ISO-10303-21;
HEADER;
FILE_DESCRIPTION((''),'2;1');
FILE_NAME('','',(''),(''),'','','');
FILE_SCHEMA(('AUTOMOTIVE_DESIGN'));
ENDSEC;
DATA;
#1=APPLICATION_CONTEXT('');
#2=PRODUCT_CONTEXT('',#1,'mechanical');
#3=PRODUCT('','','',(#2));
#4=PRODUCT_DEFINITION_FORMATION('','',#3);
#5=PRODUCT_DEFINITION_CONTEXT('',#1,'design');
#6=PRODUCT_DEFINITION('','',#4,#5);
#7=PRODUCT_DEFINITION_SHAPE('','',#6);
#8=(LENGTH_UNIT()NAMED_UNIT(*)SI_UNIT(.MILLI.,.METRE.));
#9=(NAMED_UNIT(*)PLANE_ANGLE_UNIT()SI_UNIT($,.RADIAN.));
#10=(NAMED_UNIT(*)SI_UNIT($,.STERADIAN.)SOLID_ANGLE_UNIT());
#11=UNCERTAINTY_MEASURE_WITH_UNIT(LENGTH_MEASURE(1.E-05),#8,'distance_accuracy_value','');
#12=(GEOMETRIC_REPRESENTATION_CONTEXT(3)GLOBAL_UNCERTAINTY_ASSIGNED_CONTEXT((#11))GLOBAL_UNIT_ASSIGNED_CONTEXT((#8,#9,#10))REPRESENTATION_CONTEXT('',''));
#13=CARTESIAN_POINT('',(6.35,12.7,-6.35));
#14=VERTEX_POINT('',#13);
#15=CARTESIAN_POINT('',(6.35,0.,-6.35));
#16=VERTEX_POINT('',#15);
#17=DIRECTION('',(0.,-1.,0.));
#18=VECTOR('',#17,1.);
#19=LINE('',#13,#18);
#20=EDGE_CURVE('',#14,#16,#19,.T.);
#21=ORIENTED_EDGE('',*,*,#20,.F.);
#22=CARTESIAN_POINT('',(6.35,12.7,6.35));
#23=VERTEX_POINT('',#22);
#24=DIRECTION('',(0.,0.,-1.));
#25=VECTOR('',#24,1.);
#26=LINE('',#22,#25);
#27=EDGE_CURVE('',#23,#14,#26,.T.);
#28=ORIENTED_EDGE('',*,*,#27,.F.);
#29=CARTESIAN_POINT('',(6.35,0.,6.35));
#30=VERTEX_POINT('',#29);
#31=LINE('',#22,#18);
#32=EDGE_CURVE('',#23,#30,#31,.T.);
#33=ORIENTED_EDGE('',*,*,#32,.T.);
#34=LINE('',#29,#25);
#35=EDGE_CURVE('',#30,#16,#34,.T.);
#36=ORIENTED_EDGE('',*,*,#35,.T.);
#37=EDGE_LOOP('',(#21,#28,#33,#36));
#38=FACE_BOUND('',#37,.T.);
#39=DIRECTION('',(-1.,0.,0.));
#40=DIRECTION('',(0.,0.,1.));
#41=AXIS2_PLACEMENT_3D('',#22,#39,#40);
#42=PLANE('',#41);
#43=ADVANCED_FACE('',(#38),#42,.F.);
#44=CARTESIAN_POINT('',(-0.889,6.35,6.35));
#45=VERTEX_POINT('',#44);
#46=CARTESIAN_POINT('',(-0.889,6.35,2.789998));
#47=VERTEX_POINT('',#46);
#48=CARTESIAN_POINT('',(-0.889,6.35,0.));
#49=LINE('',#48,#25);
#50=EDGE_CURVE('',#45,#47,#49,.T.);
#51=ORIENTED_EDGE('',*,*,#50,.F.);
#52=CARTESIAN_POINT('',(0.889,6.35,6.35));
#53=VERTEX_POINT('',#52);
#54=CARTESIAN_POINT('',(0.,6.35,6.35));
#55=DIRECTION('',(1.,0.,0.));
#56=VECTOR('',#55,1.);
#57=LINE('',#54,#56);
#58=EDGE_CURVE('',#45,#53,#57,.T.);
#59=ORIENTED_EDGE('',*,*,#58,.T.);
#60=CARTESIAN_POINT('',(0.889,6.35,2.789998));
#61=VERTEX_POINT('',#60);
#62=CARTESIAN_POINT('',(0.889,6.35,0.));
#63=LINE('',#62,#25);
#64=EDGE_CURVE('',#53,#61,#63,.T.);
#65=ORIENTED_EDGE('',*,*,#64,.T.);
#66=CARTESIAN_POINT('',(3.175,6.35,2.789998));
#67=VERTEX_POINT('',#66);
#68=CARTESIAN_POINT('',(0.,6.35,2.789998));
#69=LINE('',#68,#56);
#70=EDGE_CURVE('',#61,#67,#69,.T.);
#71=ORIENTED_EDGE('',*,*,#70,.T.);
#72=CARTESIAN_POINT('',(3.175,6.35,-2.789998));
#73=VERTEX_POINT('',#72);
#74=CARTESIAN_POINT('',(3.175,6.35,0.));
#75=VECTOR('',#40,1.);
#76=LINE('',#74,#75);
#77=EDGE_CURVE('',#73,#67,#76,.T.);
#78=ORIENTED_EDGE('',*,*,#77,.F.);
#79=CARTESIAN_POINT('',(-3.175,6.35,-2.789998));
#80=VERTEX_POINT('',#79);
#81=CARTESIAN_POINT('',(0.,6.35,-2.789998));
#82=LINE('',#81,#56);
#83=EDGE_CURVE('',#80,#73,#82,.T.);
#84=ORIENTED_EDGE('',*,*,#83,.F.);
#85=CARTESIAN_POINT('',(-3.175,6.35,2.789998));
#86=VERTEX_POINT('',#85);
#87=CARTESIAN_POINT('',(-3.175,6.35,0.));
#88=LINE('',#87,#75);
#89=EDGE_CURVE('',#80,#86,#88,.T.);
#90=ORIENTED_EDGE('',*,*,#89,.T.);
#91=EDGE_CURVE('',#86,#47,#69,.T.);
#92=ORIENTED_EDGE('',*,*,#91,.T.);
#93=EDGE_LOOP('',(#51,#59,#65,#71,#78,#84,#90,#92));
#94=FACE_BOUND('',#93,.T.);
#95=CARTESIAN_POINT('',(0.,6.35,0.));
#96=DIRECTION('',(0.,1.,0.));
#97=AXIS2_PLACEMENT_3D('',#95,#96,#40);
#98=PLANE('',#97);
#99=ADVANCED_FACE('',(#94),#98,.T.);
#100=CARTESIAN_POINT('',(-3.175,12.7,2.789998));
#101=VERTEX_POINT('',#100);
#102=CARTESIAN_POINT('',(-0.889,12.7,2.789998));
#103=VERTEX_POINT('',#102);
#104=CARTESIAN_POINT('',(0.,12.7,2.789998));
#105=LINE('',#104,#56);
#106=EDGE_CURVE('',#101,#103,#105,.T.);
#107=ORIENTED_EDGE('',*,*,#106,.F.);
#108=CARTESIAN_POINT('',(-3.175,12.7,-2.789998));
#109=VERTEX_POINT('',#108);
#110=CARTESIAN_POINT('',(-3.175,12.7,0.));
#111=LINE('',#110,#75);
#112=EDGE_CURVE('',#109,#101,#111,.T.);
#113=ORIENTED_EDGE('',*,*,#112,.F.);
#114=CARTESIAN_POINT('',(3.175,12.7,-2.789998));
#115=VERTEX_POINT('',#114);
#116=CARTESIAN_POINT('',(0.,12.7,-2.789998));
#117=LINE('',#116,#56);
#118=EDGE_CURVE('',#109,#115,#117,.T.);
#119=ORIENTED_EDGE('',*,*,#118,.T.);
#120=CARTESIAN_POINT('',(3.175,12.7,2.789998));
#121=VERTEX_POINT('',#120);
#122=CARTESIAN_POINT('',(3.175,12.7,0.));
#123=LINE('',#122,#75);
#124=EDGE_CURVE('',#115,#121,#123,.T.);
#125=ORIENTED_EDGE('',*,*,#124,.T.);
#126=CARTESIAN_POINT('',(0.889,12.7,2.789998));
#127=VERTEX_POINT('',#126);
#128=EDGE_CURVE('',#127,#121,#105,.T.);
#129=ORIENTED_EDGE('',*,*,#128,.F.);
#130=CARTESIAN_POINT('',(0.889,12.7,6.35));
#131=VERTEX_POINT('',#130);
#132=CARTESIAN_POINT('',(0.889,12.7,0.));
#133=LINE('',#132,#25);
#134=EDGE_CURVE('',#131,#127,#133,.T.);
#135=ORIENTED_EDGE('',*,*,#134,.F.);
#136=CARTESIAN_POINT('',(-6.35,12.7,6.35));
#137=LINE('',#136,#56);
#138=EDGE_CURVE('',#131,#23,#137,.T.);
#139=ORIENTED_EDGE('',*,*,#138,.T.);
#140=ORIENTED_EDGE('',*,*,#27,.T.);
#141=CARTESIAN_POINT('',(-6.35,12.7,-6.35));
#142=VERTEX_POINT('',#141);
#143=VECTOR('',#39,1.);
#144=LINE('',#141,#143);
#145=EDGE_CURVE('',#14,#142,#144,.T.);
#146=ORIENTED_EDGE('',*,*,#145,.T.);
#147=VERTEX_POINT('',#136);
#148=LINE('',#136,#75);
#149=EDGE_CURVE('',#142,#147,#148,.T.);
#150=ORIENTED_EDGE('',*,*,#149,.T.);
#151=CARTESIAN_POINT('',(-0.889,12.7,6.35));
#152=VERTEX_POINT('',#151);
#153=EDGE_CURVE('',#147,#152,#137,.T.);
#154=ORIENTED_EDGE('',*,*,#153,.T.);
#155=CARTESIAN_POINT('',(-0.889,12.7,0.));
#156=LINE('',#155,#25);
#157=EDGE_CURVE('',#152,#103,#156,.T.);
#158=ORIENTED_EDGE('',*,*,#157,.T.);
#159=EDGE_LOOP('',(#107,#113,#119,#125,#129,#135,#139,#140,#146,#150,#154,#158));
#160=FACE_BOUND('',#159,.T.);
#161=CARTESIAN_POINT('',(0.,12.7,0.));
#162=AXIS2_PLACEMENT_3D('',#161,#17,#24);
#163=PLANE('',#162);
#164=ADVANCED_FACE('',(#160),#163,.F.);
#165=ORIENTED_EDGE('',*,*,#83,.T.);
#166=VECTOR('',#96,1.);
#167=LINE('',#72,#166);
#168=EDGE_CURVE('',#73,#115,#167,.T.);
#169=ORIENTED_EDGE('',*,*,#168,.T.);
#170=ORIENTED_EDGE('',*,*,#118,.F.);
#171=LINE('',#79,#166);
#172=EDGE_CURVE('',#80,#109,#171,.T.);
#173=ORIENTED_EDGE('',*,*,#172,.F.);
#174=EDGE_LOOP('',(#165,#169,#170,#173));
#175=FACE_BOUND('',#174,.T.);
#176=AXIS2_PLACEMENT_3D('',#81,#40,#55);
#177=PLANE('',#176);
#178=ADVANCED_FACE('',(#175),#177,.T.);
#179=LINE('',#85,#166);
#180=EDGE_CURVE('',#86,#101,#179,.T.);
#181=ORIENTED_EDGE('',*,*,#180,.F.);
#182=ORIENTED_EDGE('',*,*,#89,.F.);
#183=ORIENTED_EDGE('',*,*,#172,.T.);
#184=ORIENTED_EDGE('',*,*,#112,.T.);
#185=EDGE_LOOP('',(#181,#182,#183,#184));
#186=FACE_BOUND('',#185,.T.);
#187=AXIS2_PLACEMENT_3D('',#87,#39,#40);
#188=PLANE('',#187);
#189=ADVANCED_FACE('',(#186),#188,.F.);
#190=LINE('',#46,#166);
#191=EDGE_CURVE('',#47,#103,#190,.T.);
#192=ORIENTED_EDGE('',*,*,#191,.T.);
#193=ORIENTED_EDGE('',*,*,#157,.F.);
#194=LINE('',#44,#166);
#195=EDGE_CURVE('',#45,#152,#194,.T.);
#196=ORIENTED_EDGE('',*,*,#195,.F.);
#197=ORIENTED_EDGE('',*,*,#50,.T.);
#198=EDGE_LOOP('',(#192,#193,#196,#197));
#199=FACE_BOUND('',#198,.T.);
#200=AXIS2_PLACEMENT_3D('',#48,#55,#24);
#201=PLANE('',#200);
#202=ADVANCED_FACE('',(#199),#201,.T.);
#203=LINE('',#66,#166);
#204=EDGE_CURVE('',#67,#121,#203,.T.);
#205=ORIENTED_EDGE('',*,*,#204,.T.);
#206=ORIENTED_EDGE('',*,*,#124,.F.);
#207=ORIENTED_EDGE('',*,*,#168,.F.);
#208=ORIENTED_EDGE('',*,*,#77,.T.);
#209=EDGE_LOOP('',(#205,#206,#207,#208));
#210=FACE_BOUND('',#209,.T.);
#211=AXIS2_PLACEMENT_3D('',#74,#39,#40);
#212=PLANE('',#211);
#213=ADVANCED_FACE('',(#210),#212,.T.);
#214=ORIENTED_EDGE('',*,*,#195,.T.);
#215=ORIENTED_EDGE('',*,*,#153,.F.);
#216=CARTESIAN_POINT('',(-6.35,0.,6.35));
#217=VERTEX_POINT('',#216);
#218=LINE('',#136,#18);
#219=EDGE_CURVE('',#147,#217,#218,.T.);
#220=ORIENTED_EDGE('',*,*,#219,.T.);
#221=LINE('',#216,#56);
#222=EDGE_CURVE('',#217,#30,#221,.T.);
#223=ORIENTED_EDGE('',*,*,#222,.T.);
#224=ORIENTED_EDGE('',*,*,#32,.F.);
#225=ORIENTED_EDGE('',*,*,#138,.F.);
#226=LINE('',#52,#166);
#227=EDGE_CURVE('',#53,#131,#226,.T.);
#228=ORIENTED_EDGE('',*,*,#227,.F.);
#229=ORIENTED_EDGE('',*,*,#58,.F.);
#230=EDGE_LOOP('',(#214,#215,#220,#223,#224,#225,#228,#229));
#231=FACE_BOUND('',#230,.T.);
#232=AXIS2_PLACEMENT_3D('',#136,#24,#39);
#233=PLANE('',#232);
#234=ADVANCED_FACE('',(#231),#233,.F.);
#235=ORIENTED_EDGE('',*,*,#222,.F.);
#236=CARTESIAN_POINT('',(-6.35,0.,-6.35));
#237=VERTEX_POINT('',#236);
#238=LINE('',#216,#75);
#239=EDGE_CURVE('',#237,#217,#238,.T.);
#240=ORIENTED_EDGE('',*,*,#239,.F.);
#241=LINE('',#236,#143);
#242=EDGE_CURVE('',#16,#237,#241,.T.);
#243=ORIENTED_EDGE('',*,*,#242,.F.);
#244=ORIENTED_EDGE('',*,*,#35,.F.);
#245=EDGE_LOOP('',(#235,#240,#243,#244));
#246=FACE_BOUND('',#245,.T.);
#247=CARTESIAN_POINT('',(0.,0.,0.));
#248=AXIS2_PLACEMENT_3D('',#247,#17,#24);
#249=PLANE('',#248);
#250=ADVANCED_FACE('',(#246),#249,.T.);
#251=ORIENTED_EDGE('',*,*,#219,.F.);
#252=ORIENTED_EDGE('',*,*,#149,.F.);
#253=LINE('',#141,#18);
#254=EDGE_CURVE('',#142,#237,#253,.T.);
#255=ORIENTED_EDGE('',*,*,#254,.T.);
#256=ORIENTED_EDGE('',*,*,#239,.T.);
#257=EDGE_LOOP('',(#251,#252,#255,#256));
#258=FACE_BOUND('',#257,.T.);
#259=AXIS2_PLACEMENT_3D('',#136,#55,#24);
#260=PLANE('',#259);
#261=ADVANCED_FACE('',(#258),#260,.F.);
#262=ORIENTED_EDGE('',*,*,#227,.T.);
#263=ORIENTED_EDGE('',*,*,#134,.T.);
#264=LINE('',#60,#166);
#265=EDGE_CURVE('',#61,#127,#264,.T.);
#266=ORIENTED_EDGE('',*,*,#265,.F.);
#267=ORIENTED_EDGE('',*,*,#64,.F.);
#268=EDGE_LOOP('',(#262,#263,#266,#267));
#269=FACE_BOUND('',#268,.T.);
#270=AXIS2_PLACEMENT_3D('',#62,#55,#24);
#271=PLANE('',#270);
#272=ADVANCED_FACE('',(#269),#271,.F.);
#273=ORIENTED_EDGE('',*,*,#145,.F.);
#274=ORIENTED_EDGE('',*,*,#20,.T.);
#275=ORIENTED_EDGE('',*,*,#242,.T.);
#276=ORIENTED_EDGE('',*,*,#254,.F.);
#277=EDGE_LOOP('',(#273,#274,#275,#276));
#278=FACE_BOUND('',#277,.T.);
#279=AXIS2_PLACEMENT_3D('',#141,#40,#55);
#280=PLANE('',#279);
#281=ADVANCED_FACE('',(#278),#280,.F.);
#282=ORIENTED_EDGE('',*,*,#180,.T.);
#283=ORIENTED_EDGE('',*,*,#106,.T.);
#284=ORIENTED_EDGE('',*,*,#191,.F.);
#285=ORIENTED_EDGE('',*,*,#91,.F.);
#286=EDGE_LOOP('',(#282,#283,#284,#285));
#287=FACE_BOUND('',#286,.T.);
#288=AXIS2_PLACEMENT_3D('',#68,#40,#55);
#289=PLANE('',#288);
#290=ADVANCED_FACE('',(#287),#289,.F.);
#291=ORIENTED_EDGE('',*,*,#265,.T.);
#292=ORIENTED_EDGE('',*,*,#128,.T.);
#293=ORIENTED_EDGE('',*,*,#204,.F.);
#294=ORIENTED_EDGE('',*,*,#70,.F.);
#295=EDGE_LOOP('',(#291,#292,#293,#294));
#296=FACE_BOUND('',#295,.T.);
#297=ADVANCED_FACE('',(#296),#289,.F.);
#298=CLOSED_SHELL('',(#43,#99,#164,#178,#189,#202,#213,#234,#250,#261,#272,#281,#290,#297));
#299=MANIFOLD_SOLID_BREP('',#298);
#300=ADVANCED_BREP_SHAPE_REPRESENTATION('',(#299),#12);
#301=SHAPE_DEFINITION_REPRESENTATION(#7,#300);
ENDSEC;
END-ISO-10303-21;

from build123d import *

# Parameters (mm, degrees)
SKETCH1_W           = 12.7
SKETCH1_H           = 12.7
BOSS_EXTRUDE1_DEPTH = 12.7
SKETCH2_W           = 1.778
SKETCH2_H           = 3.560002412
CUT_EXTRUDE1_DEPTH  = 6.35


with BuildPart() as part:
    # Sketch1 → Boss-Extrude1 (new body)
    with BuildSketch(Plane(origin=(0, 0, 0), x_dir=(1, 0, 0), z_dir=(0, 1, 0))):
        Rectangle(SKETCH1_W, SKETCH1_H)
    extrude(amount=BOSS_EXTRUDE1_DEPTH)

    # Sketch2 → Cut-Extrude1 (cut)
    with BuildSketch(Plane(origin=(0, 12.7, 0), x_dir=(1, 0, 0), z_dir=(0, 1, 0))):
        Polygon((-3.175, -2.789997588), (-0.889, -2.789997588), (0.889, -2.789997588), (3.175, -2.789997588), (3.175, 2.789997588), (-3.175, 2.789997588), align=None)
        with Locations((0, -4.569998794)):
            Rectangle(SKETCH2_W, SKETCH2_H)
    extrude(amount=-CUT_EXTRUDE1_DEPTH, mode=Mode.SUBTRACT)


solid = part.part
